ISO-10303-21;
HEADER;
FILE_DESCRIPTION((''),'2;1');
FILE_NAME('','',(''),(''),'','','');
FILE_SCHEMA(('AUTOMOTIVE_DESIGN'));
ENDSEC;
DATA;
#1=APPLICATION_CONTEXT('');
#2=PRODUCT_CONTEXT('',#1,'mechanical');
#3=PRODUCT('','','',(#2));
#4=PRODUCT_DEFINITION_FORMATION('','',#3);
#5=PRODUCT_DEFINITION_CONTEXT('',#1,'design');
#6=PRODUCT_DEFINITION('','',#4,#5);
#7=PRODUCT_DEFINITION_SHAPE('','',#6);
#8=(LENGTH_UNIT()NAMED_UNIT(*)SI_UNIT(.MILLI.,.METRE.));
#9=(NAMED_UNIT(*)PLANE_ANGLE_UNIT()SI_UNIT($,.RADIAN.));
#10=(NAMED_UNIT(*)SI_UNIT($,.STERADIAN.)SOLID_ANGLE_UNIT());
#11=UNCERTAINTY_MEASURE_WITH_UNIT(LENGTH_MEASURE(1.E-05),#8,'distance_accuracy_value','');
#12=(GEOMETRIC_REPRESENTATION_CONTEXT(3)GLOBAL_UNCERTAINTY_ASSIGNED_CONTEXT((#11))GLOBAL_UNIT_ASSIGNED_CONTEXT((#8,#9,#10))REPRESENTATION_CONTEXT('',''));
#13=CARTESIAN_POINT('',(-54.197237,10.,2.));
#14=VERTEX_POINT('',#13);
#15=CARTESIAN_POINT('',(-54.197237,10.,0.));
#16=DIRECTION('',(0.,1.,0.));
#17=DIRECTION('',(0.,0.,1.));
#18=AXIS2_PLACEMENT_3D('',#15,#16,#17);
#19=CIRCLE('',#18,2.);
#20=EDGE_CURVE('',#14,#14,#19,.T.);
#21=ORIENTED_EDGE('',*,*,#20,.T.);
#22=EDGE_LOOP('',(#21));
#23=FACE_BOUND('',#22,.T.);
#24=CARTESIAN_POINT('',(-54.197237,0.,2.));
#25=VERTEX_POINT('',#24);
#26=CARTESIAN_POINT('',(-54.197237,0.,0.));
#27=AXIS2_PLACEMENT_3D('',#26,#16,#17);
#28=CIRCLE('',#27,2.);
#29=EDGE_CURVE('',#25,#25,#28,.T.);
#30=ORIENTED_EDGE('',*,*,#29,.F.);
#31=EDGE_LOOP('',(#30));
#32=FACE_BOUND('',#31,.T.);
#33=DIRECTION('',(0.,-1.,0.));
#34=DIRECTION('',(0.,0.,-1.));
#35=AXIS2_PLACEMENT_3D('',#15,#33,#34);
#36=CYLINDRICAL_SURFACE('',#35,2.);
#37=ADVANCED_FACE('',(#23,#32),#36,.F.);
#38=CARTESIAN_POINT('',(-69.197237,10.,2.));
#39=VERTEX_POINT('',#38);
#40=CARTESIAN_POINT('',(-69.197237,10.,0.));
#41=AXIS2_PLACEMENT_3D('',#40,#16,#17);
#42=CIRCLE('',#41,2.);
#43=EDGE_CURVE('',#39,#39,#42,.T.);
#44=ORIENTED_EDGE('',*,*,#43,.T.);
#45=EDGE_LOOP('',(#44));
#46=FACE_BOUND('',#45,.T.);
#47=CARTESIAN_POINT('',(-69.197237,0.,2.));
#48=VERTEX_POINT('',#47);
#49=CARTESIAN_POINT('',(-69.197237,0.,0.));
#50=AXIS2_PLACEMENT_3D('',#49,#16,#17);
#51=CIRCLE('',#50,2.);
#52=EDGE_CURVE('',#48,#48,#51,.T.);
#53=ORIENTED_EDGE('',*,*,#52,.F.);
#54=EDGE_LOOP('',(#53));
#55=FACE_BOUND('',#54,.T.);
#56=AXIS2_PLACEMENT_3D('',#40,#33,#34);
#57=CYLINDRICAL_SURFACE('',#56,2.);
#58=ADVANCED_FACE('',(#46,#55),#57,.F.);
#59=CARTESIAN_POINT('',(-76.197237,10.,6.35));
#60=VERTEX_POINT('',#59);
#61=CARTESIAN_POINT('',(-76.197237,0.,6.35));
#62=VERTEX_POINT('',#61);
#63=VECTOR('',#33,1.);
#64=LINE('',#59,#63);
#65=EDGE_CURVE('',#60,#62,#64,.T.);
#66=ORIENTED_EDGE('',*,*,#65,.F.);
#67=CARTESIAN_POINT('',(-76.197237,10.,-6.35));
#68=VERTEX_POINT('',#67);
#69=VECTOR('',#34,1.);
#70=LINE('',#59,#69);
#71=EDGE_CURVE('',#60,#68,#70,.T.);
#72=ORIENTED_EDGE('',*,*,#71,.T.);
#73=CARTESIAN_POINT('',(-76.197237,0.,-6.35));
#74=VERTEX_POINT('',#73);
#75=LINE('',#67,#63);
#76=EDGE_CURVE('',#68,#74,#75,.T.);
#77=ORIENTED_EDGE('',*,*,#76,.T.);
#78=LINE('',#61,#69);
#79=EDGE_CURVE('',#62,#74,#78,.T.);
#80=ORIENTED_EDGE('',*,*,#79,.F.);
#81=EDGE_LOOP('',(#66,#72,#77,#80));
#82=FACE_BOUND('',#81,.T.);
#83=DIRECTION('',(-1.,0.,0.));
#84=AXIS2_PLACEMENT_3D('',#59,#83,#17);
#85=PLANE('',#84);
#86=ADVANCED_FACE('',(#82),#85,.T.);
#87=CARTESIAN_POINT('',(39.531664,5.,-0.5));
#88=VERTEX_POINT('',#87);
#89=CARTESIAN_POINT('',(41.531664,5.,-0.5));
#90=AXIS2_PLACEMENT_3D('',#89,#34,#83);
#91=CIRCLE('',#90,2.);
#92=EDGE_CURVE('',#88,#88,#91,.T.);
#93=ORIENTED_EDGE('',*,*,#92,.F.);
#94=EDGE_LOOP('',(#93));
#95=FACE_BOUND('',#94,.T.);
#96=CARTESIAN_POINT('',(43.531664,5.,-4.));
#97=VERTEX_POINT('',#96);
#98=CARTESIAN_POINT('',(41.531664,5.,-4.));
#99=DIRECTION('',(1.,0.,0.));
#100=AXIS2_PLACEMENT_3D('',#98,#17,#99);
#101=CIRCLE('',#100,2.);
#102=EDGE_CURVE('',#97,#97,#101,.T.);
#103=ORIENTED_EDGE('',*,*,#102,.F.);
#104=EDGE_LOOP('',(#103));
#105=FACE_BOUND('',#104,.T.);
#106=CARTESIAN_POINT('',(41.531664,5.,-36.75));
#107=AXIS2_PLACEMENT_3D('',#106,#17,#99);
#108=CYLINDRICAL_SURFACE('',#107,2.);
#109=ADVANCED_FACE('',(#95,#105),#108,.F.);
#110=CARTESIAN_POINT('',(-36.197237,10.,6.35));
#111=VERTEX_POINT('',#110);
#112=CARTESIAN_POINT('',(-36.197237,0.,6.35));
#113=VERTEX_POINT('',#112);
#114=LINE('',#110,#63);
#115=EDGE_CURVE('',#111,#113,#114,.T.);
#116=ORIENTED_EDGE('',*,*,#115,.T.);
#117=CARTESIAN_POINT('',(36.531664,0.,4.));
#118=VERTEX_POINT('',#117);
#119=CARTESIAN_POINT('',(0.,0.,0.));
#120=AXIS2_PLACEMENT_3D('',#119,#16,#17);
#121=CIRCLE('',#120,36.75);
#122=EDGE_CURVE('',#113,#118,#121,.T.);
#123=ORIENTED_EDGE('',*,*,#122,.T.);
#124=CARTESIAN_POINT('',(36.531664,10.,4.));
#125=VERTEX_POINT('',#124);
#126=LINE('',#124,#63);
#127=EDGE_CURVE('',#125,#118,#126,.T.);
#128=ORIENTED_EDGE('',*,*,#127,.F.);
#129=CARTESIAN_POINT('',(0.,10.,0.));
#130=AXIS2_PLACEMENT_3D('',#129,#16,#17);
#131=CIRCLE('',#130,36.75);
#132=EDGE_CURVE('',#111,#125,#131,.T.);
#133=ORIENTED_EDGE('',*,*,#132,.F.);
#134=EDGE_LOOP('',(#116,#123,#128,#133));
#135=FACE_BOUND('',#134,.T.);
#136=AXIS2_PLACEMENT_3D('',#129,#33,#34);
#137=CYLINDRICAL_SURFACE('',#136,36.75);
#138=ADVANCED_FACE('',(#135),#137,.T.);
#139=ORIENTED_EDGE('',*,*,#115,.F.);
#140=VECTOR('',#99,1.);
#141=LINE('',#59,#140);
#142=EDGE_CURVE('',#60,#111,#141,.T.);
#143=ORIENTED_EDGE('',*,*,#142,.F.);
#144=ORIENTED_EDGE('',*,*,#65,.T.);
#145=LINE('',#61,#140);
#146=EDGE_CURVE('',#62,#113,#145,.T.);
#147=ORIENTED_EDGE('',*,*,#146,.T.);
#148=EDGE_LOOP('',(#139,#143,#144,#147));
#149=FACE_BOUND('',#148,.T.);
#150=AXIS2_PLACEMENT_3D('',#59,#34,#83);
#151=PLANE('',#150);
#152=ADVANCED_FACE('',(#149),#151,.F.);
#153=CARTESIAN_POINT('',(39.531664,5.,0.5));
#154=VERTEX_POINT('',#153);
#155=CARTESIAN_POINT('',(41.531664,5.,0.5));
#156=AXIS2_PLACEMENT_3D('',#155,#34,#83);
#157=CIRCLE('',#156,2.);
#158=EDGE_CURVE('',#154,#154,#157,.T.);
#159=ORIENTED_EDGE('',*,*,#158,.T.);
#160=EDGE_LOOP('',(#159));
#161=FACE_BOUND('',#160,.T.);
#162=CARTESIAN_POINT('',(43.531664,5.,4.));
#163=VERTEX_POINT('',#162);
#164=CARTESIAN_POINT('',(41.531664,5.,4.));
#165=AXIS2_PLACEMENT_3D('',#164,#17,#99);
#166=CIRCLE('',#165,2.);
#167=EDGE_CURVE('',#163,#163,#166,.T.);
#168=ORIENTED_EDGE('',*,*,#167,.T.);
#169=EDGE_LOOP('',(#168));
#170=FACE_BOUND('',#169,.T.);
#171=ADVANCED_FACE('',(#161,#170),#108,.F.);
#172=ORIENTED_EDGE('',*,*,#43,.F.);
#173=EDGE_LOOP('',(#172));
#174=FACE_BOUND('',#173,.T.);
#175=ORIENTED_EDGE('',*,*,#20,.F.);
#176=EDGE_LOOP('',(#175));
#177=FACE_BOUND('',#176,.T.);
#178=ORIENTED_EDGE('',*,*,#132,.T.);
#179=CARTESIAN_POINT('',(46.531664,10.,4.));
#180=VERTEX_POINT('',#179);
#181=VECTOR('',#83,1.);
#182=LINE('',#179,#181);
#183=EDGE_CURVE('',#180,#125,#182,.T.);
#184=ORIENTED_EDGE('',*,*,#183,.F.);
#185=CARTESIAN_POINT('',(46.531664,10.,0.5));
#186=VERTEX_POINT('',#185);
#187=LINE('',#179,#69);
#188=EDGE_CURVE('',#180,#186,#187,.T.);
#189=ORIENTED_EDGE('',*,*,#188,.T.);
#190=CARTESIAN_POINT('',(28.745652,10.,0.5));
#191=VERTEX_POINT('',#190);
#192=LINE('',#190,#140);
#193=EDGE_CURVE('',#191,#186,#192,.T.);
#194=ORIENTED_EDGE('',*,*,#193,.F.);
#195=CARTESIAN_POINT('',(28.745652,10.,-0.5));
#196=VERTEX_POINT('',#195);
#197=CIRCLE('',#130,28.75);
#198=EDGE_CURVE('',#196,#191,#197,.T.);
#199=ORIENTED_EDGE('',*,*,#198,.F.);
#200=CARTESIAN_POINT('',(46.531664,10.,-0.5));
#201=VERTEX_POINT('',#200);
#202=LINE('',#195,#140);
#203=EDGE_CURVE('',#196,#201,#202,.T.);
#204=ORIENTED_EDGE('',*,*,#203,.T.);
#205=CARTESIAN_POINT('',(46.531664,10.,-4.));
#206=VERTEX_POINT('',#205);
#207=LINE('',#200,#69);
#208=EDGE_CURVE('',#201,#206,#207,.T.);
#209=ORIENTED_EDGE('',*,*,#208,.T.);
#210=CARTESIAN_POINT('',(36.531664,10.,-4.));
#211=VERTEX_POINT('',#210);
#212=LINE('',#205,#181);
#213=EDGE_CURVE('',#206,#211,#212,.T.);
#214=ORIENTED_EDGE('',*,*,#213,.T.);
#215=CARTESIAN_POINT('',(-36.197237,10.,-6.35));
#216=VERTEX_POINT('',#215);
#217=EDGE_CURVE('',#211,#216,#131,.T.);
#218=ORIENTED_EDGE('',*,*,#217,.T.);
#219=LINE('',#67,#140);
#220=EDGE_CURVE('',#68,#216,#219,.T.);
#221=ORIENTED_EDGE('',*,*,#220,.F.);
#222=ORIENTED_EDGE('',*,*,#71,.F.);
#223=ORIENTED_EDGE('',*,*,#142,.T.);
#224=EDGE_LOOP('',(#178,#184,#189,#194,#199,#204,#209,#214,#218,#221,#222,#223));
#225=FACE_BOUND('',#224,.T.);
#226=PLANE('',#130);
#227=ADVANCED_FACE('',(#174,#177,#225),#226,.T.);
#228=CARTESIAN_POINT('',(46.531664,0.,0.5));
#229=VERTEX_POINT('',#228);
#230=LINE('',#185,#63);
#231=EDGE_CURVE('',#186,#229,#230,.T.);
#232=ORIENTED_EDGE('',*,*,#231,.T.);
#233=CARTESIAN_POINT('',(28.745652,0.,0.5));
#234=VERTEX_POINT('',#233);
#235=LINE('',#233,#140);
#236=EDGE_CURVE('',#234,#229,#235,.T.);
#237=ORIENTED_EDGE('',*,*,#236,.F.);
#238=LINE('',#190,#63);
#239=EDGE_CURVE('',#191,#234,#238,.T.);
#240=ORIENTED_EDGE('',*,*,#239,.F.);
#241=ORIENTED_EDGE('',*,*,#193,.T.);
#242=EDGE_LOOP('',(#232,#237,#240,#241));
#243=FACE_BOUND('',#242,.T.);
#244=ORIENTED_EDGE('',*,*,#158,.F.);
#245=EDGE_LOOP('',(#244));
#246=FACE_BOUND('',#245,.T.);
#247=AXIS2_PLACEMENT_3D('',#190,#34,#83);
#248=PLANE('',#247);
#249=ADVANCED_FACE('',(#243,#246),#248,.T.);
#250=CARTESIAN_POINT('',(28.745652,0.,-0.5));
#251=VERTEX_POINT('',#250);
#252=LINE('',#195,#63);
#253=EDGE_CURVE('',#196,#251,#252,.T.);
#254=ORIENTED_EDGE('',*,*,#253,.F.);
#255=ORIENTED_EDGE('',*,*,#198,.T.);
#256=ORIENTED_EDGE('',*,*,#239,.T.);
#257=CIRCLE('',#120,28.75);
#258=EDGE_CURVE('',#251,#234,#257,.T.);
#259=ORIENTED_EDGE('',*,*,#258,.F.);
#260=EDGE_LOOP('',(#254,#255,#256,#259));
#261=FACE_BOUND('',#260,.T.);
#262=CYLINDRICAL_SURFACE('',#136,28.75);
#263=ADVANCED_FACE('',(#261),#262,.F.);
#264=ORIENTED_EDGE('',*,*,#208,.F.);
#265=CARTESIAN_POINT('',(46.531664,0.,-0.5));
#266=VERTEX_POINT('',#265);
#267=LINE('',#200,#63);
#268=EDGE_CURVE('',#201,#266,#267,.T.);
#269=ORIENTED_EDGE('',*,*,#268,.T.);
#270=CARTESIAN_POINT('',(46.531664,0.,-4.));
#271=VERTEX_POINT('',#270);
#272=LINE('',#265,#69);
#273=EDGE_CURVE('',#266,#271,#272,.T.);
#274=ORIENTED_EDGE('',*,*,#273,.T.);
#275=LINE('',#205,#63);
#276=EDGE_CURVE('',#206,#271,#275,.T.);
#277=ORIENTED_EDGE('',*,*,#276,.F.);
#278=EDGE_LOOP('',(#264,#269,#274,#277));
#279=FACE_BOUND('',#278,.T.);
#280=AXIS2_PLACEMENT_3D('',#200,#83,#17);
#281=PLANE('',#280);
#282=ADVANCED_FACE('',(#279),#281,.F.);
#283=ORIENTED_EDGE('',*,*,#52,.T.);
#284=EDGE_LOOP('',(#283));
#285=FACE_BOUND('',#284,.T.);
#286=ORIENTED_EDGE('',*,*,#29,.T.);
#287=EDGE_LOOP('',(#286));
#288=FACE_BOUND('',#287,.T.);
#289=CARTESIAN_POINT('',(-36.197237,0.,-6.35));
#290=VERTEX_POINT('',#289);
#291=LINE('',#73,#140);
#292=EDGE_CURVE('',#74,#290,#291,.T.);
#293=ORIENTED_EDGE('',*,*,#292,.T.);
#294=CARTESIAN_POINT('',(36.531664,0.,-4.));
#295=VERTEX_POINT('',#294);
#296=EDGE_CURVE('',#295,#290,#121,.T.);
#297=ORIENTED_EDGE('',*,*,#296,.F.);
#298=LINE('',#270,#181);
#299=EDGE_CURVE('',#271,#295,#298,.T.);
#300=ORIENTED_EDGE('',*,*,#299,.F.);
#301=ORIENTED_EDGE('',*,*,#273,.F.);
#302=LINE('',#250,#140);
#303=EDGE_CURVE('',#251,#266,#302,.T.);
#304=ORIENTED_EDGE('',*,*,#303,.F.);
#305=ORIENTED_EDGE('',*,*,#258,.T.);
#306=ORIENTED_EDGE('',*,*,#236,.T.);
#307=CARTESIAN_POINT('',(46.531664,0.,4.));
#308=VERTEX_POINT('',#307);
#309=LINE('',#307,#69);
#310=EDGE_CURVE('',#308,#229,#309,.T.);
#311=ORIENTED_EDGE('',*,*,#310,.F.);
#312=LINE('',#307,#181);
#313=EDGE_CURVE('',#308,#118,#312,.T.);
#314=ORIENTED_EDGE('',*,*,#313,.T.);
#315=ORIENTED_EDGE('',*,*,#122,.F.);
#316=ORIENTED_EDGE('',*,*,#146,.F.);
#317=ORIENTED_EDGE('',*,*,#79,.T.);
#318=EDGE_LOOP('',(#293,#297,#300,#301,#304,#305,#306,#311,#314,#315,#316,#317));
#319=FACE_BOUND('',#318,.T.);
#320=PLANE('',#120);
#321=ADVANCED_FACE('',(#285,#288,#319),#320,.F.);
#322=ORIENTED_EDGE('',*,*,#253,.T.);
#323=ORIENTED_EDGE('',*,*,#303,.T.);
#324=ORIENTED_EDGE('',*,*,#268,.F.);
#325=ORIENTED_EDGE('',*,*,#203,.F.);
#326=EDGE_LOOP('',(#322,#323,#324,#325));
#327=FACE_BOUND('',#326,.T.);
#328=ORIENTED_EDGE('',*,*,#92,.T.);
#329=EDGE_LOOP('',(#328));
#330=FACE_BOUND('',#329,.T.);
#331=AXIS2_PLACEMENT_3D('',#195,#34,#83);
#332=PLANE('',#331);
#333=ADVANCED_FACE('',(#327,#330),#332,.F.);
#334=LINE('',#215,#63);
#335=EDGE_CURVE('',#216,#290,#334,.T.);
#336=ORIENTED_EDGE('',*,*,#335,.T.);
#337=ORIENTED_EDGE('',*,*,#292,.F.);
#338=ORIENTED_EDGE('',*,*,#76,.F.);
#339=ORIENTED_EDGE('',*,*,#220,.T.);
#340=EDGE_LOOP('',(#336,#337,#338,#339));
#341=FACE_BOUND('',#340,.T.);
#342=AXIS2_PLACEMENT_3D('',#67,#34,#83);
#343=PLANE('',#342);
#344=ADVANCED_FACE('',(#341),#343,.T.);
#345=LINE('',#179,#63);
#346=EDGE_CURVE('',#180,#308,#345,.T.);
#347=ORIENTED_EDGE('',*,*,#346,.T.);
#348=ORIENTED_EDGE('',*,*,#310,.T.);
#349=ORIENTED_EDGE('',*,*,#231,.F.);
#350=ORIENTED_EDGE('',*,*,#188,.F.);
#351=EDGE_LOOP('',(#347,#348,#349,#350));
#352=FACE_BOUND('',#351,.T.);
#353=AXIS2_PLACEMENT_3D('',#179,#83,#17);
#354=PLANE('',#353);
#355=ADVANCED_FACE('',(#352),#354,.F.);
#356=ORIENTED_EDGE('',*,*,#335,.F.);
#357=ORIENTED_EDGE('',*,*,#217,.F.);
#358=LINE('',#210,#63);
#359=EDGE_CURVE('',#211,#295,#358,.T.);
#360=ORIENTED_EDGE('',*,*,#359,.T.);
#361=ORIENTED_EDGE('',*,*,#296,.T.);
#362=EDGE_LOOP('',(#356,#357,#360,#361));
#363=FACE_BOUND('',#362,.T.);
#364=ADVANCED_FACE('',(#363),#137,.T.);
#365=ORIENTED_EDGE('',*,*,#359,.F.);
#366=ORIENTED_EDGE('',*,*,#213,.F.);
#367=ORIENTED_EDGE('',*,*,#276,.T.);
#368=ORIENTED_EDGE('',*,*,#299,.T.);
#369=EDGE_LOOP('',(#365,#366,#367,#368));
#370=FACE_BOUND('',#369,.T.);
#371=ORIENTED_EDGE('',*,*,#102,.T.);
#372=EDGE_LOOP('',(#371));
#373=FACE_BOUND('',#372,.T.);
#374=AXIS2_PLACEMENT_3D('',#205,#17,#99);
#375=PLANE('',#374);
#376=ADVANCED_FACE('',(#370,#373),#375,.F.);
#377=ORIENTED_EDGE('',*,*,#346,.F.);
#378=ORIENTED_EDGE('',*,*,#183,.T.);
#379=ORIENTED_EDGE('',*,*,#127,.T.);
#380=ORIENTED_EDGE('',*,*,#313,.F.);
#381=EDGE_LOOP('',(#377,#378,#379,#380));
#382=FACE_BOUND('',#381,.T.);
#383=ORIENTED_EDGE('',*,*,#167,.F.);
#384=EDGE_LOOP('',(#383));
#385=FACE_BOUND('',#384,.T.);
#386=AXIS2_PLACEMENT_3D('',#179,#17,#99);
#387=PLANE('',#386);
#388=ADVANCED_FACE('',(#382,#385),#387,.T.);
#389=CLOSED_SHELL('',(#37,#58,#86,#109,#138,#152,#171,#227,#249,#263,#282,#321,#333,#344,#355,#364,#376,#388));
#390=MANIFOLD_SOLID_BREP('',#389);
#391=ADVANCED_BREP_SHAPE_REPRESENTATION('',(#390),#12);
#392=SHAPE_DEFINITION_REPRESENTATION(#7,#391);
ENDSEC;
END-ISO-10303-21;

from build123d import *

# Parameters (mm, degrees)
SKETCH1_R           = 2
BOSS_EXTRUDE2_DEPTH = 10
SKETCH2_R           = 2
CUT_EXTRUDE1_DEPTH  = 87.986099448


with BuildPart() as part:
    # Sketch1 → Boss-Extrude2 (new body)
    with BuildSketch(Plane(origin=(0, 0, 0), x_dir=(1, 0, 0), z_dir=(0, 1, 0))):
        with BuildLine():
            Line((-76.197237464, -6.35), (-36.197237464, -6.35))
            ThreePointArc((-36.197237464, -6.35), (1.186838378, -36.730830574), (36.531664348, -4))
            Line((36.531664348, -4), (46.531664348, -4))
            Line((46.531664348, -4), (46.531664348, -0.5))
            Line((46.531664348, -0.5), (28.745651845, -0.5))
            ThreePointArc((28.745651845, -0.5), (-28.75, 0), (28.745651845, 0.5))
            Line((28.745651845, 0.5), (46.531664348, 0.5))
            Line((46.531664348, 0.5), (46.531664348, 4))
            Line((46.531664348, 4), (36.531664348, 4))
            ThreePointArc((36.531664348, 4), (1.186838378, 36.730830574), (-36.197237464, 6.35))
            Line((-36.197237464, 6.35), (-76.197237464, 6.35))
            Line((-76.197237464, 6.35), (-76.197237464, -6.35))
        make_face()
        with Locations(Location((-69.197237464, 0, 0), (0, 0, 270))):
            Circle(SKETCH1_R, mode=Mode.SUBTRACT)
        with Locations(Location((-54.197237464, 0, 0), (0, 0, 270))):
            Circle(SKETCH1_R, mode=Mode.SUBTRACT)
    extrude(amount=BOSS_EXTRUDE2_DEPTH)

    # Sketch2 → Cut-Extrude1 (cut, through all)
    with BuildSketch(Plane.XY.offset(4)):
        with Locations((41.531664348, 5)):
            Circle(SKETCH2_R)
    extrude(amount=-CUT_EXTRUDE1_DEPTH, mode=Mode.SUBTRACT)


solid = part.part
